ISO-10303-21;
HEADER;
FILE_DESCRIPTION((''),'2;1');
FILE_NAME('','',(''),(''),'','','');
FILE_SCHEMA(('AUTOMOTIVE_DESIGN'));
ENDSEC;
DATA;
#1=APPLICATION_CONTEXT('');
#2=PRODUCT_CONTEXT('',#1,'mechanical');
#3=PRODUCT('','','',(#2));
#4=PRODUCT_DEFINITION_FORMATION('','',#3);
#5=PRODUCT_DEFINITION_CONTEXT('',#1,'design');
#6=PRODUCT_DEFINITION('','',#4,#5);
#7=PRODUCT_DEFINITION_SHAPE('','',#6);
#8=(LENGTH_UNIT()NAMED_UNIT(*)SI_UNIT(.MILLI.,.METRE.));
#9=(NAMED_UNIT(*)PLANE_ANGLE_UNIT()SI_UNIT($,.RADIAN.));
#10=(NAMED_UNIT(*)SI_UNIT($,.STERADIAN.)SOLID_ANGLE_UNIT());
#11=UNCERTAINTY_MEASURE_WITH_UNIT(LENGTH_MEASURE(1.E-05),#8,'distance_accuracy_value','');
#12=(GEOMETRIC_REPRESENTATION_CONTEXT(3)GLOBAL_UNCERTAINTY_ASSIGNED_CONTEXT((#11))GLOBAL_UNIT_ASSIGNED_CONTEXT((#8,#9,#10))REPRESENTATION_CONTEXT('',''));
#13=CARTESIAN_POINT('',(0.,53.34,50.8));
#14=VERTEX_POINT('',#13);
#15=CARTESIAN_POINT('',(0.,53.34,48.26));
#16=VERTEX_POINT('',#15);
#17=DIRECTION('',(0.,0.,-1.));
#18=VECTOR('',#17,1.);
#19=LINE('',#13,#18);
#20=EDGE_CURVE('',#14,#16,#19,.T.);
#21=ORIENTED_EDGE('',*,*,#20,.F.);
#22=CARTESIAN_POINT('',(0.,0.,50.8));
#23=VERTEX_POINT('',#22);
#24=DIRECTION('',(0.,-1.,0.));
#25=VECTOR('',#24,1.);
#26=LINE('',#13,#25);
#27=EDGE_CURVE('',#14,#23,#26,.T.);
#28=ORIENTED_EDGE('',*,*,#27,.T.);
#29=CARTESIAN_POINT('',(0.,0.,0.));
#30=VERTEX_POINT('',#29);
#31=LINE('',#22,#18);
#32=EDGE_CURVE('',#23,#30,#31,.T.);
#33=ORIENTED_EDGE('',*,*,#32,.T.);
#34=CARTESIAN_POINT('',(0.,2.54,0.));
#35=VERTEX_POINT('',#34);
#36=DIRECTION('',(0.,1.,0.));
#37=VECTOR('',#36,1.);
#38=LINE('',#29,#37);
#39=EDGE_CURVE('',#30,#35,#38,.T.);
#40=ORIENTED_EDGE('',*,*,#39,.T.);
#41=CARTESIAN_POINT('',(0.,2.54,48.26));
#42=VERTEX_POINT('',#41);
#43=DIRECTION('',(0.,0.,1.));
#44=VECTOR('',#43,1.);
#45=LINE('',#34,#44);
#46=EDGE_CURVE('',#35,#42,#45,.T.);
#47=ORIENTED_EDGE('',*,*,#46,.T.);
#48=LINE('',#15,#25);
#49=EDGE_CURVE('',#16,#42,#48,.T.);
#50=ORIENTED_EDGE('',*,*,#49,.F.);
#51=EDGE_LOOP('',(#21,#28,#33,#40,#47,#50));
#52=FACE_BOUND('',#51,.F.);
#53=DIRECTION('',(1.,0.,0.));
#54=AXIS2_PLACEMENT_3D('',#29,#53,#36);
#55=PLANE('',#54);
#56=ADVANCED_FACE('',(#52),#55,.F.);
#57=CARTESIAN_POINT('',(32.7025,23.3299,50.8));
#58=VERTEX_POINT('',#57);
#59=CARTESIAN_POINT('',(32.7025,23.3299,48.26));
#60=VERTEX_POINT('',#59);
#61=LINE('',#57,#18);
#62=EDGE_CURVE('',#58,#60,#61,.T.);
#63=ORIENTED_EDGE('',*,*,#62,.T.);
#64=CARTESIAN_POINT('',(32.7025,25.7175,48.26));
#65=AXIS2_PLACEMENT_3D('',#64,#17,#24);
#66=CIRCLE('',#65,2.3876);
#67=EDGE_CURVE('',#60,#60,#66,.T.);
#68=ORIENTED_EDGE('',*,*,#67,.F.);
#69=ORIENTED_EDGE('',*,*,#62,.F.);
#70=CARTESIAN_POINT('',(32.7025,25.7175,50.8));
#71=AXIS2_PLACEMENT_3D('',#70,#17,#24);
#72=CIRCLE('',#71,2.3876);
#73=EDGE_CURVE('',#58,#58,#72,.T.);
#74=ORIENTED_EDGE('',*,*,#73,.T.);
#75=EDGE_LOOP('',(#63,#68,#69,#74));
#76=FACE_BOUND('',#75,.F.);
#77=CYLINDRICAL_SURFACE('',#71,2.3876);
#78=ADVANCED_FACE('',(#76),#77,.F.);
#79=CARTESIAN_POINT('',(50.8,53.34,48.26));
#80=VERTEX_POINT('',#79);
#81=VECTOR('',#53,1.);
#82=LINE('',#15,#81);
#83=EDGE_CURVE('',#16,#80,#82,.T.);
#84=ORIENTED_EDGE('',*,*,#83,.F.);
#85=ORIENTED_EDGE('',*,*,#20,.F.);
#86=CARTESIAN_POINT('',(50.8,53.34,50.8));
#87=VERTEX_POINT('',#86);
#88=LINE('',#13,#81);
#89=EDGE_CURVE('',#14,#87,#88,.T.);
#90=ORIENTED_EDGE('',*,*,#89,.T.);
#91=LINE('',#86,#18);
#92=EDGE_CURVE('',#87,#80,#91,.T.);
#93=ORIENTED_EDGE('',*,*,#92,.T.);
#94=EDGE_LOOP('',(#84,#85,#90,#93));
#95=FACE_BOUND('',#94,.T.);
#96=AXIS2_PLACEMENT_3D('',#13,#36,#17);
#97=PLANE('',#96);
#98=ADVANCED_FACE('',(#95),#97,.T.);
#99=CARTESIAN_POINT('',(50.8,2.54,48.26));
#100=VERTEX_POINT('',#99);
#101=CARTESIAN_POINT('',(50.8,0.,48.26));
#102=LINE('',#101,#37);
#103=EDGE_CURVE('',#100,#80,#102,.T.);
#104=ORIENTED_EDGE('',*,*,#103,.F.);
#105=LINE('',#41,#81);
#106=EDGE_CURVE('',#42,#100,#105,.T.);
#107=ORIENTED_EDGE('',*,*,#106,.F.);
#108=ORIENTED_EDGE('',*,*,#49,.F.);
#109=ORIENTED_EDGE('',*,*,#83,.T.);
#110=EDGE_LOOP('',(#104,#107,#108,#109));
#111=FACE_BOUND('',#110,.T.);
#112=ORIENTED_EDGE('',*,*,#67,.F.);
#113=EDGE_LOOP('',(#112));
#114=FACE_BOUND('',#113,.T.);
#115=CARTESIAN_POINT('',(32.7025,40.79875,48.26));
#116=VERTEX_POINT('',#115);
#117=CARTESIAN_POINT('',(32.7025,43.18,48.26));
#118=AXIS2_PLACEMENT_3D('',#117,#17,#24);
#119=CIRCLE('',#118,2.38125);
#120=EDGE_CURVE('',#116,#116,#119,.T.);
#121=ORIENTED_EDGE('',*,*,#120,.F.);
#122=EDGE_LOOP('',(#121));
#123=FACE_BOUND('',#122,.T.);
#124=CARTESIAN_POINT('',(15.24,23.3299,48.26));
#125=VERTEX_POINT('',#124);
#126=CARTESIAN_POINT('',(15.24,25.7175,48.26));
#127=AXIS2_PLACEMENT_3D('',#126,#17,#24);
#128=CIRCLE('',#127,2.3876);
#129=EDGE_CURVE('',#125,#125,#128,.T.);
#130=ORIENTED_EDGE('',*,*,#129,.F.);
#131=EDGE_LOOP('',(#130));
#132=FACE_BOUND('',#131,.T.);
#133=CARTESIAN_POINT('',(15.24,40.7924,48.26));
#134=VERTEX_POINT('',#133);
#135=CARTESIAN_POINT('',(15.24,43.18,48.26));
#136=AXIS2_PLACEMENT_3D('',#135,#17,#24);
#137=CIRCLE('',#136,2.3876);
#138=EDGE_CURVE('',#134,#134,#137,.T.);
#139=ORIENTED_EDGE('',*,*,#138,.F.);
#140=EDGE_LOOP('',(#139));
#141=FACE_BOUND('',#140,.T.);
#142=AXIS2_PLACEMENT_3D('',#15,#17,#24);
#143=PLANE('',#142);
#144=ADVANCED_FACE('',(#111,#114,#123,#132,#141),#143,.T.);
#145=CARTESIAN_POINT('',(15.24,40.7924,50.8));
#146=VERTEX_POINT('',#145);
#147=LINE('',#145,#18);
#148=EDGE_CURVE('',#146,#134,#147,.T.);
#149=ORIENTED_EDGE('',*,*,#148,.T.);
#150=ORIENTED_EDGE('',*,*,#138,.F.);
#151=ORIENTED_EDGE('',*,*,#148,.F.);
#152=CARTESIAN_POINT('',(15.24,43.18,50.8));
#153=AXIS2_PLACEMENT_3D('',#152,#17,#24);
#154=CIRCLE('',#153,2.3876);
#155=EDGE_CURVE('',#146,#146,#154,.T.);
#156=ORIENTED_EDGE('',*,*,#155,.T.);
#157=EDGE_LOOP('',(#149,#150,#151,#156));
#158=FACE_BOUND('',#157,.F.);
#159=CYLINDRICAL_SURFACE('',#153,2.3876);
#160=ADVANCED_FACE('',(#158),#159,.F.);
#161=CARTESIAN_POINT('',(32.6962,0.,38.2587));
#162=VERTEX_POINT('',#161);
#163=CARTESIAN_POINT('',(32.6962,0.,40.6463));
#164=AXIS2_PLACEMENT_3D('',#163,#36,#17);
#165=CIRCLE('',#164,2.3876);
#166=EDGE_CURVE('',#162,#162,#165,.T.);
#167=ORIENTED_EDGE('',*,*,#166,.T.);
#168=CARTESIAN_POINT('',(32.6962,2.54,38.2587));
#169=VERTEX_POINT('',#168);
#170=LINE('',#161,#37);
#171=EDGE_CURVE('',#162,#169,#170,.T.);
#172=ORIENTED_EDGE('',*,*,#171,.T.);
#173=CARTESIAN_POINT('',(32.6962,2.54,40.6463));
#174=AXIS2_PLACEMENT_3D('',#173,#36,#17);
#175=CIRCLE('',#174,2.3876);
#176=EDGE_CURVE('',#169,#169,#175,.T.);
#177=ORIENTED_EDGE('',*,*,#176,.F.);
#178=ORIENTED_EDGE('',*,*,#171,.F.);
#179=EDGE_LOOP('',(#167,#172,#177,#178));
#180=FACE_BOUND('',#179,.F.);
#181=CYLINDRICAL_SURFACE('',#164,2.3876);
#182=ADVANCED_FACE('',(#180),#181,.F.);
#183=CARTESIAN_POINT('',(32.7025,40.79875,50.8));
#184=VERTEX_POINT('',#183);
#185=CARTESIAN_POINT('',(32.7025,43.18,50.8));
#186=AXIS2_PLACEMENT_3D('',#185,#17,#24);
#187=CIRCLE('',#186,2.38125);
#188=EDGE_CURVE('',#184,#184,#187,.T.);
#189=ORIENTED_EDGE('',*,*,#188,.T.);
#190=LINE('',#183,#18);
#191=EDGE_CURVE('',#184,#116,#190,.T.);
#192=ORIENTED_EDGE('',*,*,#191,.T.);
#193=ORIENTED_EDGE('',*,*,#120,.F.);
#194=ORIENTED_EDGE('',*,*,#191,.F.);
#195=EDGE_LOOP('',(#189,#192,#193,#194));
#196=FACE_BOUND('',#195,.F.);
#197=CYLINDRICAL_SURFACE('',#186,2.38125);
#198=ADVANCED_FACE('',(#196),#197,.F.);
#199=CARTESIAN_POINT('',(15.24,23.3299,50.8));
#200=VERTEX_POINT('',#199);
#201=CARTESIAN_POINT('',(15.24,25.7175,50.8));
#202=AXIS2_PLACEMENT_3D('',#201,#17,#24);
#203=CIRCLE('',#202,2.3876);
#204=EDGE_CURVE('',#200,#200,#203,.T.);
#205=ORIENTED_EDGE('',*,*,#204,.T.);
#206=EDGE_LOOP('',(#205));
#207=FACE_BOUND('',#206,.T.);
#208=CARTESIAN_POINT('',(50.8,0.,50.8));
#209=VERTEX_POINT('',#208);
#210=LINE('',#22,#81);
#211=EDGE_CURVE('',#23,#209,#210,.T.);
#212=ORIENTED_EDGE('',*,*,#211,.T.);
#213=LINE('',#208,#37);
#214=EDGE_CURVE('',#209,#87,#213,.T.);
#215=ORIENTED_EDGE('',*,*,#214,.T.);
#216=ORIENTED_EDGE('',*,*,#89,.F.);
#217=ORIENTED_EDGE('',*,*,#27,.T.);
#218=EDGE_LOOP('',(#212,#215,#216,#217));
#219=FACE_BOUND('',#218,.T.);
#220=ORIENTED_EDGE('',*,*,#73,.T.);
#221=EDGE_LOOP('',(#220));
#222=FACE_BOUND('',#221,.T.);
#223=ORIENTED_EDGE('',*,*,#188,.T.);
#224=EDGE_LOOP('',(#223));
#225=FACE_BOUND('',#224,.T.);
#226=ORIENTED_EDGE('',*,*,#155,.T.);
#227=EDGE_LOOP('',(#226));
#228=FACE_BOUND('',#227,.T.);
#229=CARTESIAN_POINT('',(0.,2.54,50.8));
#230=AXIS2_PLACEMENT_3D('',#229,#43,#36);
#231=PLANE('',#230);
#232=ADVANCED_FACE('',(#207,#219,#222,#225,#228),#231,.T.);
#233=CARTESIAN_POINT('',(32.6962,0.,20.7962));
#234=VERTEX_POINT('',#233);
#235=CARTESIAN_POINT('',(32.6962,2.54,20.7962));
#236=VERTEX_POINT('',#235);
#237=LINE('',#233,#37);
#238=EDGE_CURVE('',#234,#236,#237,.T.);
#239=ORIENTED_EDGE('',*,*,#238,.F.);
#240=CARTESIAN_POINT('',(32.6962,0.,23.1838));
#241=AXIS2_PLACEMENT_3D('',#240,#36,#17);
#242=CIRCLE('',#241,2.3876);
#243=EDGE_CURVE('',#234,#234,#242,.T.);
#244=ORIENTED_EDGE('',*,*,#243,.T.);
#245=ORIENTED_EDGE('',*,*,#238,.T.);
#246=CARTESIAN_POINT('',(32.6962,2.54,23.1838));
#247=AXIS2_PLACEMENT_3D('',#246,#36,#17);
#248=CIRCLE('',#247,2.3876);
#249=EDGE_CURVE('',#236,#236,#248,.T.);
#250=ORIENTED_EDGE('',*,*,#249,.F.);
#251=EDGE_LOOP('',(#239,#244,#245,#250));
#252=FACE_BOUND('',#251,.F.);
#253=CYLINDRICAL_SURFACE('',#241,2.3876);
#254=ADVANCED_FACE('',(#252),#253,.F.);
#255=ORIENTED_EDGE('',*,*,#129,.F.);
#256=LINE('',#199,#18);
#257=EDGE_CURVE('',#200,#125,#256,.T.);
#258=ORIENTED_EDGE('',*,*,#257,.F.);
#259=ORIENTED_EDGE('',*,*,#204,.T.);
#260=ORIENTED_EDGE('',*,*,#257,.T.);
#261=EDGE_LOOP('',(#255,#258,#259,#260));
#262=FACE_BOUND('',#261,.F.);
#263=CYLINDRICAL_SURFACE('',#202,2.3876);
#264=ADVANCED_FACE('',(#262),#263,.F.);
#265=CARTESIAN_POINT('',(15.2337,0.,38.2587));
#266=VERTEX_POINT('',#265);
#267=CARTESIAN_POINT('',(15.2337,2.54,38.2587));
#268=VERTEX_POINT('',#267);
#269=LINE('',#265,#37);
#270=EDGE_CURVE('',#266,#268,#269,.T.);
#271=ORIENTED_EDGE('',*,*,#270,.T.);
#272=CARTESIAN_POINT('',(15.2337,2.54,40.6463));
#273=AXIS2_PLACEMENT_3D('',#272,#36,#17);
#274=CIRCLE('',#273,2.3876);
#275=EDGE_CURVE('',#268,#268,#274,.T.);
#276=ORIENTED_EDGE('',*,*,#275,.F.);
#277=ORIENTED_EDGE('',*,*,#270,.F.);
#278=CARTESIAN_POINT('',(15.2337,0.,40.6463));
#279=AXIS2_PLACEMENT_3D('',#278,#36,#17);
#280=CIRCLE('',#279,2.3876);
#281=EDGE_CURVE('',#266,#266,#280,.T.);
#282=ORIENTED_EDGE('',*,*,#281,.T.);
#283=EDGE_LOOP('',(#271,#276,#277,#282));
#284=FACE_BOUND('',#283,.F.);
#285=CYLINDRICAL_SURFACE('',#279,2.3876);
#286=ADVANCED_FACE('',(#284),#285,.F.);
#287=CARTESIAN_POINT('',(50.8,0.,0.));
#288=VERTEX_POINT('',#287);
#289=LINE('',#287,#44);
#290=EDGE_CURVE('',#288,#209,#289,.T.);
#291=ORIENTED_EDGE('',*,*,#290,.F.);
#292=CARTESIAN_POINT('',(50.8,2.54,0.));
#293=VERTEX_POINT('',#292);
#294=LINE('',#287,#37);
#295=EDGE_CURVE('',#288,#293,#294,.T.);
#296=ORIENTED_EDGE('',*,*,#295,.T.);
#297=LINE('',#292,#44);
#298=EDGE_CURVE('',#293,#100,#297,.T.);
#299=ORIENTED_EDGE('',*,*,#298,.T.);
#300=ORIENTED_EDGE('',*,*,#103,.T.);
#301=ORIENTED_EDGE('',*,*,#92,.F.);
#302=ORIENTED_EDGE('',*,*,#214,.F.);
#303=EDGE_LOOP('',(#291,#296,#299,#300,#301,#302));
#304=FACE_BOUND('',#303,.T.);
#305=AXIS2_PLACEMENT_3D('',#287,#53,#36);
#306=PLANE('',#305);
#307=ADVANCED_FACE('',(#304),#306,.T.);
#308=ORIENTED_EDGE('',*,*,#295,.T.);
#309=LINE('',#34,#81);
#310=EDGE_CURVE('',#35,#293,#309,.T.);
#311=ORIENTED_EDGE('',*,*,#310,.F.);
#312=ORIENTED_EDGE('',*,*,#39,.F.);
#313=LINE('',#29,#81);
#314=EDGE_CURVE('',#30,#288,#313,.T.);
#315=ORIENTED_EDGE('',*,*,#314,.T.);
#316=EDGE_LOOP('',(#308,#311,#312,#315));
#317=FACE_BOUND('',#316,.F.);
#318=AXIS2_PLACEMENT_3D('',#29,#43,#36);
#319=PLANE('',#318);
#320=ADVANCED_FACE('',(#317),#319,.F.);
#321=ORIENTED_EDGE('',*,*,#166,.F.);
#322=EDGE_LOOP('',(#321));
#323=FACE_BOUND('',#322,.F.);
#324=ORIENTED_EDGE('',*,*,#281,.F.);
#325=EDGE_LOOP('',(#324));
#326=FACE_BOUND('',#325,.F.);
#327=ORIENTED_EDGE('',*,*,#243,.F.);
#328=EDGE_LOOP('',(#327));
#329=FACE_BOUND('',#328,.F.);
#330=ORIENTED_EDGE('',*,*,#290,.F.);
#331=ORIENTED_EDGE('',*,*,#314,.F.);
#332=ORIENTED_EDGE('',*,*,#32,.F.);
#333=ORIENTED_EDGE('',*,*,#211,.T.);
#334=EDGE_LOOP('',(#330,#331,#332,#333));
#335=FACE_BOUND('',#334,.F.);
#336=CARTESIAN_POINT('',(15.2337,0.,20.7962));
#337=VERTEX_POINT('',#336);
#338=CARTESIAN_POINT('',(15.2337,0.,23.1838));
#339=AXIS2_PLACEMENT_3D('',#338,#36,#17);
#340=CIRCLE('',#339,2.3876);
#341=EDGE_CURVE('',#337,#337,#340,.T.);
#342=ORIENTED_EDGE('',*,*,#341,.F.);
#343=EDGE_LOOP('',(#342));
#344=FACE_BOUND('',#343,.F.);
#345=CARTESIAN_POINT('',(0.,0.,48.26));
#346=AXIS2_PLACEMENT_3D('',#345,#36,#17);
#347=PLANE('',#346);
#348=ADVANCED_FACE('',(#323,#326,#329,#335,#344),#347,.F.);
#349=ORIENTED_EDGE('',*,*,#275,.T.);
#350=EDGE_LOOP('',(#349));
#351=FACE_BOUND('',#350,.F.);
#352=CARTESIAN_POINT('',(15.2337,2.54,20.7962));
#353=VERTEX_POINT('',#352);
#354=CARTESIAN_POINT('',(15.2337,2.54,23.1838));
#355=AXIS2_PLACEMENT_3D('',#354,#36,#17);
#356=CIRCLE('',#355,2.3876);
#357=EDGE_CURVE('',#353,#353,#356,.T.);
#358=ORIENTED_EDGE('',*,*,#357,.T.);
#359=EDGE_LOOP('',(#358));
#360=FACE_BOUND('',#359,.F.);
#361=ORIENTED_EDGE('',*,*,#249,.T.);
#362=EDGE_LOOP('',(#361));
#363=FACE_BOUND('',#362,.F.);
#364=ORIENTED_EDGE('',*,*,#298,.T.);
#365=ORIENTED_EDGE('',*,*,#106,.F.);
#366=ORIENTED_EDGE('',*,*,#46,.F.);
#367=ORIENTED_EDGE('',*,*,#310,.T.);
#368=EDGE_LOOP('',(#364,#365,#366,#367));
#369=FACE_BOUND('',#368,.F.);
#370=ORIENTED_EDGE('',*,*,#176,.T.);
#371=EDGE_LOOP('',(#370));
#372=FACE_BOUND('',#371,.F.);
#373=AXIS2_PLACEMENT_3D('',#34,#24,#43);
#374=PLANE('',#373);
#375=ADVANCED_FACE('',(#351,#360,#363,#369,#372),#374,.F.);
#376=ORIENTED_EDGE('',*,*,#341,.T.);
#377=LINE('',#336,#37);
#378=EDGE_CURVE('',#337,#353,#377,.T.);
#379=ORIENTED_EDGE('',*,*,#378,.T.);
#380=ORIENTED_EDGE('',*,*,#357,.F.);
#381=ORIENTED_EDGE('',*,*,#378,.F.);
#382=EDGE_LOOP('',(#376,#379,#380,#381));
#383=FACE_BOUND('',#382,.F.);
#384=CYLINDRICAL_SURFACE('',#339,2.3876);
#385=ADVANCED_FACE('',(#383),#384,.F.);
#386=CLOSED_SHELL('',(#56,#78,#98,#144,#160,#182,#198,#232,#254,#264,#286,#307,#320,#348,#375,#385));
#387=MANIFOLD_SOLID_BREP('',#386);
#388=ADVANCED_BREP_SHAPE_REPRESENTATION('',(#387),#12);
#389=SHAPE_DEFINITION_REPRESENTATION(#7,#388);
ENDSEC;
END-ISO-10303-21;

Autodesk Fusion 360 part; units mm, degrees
sketch "Sketch1" plane through (0, 0, 0) normal (1, 0, 0) x (0, 1, 0)
  line L0 (0, 0) -> (2.54, 0)
  line L1 (2.54, 0) -> (2.54, 50.8)
  line L2 (2.54, 50.8) -> (0, 50.8)
  line L3 (0, 50.8) -> (0, 0)
  line L4 (0, 50.8) -> (53.34, 50.8)
  line L5 (53.34, 50.8) -> (53.34, 48.26)
  line L6 (53.34, 48.26) -> (0, 48.26)
  line L7 (0, 48.26) -> (0, 50.8)
  dimension "d5" = 2.54
  dimension "d6" = 50.8
  dimension "d7" = 53.34
  dimension "d8" = 2.54
extrude "Extrude1" add sketch "Sketch1" along normal blind 50.8 contours L1 L4 L5 L6
extrude "Extrude2" add sketch "Sketch1" along normal blind 50.8 contours L1 L2 L3 L4 L6 L7
extrude "Extrude3" add sketch "Sketch1" along normal blind 50.8 contours L0 L1 L3 L6
sketch "Sketch3" plane through (0, 0, 50.8) normal (0, 0, 1) x (-1, 0, 0)
  line L0 (0, -53.34) -> (0, 0)
  line L1 (0, 0) -> (-50.8, 0)
  line L2 (-50.8, 0) -> (-50.8, -53.34)
  line L3 (-50.8, -53.34) -> (0, -53.34)
  circle A0 centre (-15.24, -43.18) radius 2.3813
  circle A1 centre (-32.7025, -43.18) radius 2.3813
  circle A2 centre (-15.24, -25.7175) radius 2.3813
  circle A3 centre (-32.7025, -25.7175) radius 2.3813
  dimension "d15" = 17.4625
  dimension "d16" = 17.4625
  dimension "d17" = 4.7625
  dimension "d18" = 4.7625
  dimension "d19" = 4.7625
  dimension "d20" = 4.7625
hole "Hole1" at (32.7025, 43.18, 50.8) direction (0, 0, -1) diameter 4.7625 depth 22.86 tip angle 118
hole "Hole2" at (15.24, 43.18, 50.8) at (15.24, 25.7175, 50.8) at (32.7025, 25.7175, 50.8) direction (0, 0, -1) diameter 4.7752 depth 22.86 tip angle 118
sketch "Sketch4" plane through (0, 0, 0) normal (0, -1, 0) x (1, 0, 0)
  line L0 (0, 50.8) -> (0, 0)
  line L1 (0, 0) -> (50.8, 0)
  line L2 (50.8, 0) -> (50.8, 50.8)
  line L3 (50.8, 50.8) -> (0, 50.8)
  line L4 (0, 50.8) -> (15.2337, 50.8)
  line L5 (15.2337, 50.8) -> (15.2337, 40.6463)
  line L6 (15.2337, 40.6463) -> (32.6962, 40.6463)
  line L7 (32.6962, 40.6463) -> (32.6962, 23.1838)
  line L8 (32.6962, 23.1838) -> (15.2337, 23.1838)
  line L9 (15.2337, 23.1838) -> (15.2337, 40.6463)
  circle A0 centre (15.2337, 40.6463) radius 2.3812
  circle A1 centre (32.6962, 40.6463) radius 2.3812
  circle A2 centre (15.2337, 23.1838) radius 2.3813
  circle A3 centre (32.6962, 23.1838) radius 2.3812
  dimension "d42" = 15.2336
  dimension "d43" = 10.1537
  dimension "d44" = 17.4625
  dimension "d45" = 17.4625
  dimension "d46" = 4.7625
  dimension "d47" = 4.7625
  dimension "d48" = 4.7625
  dimension "d49" = 4.7625
hole "Hole3" at (15.2337, 0, 40.6463) at (15.2337, 0, 23.1838) at (32.6962, 0, 40.6463) at (32.6962, 0, 23.1838) direction (0, 1, 0) diameter 4.7752 depth 22.86 tip angle 118
sketch "Sketch6" plane through (50.8, 0, 0) normal (1, 0, 0) x (0, 1, 0)
  line L0 (53.34, 48.26) -> (53.34, 50.8)
  line L1 (53.34, 50.8) -> (0, 50.8)
  line L2 (0, 50.8) -> (0, 0)
  line L3 (0, 0) -> (2.54, 0)
  line L4 (2.54, 0) -> (2.54, 48.26)
  line L5 (2.54, 48.26) -> (53.34, 48.26)
equation "d15 = ( 11 / 16 ) * 1 in"
equation "d16 = ( 11 / 16 ) * 1 in"
equation "d17 = ( 3 / 16 ) * 1 in"
equation "d18 = ( 3 / 16 ) * 1 in"
equation "d19 = ( 3 / 16 ) * 1 in"
equation "d20 = ( 3 / 16 ) * 1 in"
equation "d42 = 0.506 in + ( 3 / 32 ) * 1 in"
equation "d43 = 0.306 in + ( 3 / 32 ) * 1 in"
equation "d44 = ( 11 / 16 ) * 1 in"
equation "d45 = ( 11 / 16 ) * 1 in"
equation "d46 = ( 3 / 16 ) * 1 in"
equation "d47 = ( 3 / 16 ) * 1 in"
equation "d48 = ( 3 / 16 ) * 1 in"
equation "d49 = ( 3 / 16 ) * 1 in"
